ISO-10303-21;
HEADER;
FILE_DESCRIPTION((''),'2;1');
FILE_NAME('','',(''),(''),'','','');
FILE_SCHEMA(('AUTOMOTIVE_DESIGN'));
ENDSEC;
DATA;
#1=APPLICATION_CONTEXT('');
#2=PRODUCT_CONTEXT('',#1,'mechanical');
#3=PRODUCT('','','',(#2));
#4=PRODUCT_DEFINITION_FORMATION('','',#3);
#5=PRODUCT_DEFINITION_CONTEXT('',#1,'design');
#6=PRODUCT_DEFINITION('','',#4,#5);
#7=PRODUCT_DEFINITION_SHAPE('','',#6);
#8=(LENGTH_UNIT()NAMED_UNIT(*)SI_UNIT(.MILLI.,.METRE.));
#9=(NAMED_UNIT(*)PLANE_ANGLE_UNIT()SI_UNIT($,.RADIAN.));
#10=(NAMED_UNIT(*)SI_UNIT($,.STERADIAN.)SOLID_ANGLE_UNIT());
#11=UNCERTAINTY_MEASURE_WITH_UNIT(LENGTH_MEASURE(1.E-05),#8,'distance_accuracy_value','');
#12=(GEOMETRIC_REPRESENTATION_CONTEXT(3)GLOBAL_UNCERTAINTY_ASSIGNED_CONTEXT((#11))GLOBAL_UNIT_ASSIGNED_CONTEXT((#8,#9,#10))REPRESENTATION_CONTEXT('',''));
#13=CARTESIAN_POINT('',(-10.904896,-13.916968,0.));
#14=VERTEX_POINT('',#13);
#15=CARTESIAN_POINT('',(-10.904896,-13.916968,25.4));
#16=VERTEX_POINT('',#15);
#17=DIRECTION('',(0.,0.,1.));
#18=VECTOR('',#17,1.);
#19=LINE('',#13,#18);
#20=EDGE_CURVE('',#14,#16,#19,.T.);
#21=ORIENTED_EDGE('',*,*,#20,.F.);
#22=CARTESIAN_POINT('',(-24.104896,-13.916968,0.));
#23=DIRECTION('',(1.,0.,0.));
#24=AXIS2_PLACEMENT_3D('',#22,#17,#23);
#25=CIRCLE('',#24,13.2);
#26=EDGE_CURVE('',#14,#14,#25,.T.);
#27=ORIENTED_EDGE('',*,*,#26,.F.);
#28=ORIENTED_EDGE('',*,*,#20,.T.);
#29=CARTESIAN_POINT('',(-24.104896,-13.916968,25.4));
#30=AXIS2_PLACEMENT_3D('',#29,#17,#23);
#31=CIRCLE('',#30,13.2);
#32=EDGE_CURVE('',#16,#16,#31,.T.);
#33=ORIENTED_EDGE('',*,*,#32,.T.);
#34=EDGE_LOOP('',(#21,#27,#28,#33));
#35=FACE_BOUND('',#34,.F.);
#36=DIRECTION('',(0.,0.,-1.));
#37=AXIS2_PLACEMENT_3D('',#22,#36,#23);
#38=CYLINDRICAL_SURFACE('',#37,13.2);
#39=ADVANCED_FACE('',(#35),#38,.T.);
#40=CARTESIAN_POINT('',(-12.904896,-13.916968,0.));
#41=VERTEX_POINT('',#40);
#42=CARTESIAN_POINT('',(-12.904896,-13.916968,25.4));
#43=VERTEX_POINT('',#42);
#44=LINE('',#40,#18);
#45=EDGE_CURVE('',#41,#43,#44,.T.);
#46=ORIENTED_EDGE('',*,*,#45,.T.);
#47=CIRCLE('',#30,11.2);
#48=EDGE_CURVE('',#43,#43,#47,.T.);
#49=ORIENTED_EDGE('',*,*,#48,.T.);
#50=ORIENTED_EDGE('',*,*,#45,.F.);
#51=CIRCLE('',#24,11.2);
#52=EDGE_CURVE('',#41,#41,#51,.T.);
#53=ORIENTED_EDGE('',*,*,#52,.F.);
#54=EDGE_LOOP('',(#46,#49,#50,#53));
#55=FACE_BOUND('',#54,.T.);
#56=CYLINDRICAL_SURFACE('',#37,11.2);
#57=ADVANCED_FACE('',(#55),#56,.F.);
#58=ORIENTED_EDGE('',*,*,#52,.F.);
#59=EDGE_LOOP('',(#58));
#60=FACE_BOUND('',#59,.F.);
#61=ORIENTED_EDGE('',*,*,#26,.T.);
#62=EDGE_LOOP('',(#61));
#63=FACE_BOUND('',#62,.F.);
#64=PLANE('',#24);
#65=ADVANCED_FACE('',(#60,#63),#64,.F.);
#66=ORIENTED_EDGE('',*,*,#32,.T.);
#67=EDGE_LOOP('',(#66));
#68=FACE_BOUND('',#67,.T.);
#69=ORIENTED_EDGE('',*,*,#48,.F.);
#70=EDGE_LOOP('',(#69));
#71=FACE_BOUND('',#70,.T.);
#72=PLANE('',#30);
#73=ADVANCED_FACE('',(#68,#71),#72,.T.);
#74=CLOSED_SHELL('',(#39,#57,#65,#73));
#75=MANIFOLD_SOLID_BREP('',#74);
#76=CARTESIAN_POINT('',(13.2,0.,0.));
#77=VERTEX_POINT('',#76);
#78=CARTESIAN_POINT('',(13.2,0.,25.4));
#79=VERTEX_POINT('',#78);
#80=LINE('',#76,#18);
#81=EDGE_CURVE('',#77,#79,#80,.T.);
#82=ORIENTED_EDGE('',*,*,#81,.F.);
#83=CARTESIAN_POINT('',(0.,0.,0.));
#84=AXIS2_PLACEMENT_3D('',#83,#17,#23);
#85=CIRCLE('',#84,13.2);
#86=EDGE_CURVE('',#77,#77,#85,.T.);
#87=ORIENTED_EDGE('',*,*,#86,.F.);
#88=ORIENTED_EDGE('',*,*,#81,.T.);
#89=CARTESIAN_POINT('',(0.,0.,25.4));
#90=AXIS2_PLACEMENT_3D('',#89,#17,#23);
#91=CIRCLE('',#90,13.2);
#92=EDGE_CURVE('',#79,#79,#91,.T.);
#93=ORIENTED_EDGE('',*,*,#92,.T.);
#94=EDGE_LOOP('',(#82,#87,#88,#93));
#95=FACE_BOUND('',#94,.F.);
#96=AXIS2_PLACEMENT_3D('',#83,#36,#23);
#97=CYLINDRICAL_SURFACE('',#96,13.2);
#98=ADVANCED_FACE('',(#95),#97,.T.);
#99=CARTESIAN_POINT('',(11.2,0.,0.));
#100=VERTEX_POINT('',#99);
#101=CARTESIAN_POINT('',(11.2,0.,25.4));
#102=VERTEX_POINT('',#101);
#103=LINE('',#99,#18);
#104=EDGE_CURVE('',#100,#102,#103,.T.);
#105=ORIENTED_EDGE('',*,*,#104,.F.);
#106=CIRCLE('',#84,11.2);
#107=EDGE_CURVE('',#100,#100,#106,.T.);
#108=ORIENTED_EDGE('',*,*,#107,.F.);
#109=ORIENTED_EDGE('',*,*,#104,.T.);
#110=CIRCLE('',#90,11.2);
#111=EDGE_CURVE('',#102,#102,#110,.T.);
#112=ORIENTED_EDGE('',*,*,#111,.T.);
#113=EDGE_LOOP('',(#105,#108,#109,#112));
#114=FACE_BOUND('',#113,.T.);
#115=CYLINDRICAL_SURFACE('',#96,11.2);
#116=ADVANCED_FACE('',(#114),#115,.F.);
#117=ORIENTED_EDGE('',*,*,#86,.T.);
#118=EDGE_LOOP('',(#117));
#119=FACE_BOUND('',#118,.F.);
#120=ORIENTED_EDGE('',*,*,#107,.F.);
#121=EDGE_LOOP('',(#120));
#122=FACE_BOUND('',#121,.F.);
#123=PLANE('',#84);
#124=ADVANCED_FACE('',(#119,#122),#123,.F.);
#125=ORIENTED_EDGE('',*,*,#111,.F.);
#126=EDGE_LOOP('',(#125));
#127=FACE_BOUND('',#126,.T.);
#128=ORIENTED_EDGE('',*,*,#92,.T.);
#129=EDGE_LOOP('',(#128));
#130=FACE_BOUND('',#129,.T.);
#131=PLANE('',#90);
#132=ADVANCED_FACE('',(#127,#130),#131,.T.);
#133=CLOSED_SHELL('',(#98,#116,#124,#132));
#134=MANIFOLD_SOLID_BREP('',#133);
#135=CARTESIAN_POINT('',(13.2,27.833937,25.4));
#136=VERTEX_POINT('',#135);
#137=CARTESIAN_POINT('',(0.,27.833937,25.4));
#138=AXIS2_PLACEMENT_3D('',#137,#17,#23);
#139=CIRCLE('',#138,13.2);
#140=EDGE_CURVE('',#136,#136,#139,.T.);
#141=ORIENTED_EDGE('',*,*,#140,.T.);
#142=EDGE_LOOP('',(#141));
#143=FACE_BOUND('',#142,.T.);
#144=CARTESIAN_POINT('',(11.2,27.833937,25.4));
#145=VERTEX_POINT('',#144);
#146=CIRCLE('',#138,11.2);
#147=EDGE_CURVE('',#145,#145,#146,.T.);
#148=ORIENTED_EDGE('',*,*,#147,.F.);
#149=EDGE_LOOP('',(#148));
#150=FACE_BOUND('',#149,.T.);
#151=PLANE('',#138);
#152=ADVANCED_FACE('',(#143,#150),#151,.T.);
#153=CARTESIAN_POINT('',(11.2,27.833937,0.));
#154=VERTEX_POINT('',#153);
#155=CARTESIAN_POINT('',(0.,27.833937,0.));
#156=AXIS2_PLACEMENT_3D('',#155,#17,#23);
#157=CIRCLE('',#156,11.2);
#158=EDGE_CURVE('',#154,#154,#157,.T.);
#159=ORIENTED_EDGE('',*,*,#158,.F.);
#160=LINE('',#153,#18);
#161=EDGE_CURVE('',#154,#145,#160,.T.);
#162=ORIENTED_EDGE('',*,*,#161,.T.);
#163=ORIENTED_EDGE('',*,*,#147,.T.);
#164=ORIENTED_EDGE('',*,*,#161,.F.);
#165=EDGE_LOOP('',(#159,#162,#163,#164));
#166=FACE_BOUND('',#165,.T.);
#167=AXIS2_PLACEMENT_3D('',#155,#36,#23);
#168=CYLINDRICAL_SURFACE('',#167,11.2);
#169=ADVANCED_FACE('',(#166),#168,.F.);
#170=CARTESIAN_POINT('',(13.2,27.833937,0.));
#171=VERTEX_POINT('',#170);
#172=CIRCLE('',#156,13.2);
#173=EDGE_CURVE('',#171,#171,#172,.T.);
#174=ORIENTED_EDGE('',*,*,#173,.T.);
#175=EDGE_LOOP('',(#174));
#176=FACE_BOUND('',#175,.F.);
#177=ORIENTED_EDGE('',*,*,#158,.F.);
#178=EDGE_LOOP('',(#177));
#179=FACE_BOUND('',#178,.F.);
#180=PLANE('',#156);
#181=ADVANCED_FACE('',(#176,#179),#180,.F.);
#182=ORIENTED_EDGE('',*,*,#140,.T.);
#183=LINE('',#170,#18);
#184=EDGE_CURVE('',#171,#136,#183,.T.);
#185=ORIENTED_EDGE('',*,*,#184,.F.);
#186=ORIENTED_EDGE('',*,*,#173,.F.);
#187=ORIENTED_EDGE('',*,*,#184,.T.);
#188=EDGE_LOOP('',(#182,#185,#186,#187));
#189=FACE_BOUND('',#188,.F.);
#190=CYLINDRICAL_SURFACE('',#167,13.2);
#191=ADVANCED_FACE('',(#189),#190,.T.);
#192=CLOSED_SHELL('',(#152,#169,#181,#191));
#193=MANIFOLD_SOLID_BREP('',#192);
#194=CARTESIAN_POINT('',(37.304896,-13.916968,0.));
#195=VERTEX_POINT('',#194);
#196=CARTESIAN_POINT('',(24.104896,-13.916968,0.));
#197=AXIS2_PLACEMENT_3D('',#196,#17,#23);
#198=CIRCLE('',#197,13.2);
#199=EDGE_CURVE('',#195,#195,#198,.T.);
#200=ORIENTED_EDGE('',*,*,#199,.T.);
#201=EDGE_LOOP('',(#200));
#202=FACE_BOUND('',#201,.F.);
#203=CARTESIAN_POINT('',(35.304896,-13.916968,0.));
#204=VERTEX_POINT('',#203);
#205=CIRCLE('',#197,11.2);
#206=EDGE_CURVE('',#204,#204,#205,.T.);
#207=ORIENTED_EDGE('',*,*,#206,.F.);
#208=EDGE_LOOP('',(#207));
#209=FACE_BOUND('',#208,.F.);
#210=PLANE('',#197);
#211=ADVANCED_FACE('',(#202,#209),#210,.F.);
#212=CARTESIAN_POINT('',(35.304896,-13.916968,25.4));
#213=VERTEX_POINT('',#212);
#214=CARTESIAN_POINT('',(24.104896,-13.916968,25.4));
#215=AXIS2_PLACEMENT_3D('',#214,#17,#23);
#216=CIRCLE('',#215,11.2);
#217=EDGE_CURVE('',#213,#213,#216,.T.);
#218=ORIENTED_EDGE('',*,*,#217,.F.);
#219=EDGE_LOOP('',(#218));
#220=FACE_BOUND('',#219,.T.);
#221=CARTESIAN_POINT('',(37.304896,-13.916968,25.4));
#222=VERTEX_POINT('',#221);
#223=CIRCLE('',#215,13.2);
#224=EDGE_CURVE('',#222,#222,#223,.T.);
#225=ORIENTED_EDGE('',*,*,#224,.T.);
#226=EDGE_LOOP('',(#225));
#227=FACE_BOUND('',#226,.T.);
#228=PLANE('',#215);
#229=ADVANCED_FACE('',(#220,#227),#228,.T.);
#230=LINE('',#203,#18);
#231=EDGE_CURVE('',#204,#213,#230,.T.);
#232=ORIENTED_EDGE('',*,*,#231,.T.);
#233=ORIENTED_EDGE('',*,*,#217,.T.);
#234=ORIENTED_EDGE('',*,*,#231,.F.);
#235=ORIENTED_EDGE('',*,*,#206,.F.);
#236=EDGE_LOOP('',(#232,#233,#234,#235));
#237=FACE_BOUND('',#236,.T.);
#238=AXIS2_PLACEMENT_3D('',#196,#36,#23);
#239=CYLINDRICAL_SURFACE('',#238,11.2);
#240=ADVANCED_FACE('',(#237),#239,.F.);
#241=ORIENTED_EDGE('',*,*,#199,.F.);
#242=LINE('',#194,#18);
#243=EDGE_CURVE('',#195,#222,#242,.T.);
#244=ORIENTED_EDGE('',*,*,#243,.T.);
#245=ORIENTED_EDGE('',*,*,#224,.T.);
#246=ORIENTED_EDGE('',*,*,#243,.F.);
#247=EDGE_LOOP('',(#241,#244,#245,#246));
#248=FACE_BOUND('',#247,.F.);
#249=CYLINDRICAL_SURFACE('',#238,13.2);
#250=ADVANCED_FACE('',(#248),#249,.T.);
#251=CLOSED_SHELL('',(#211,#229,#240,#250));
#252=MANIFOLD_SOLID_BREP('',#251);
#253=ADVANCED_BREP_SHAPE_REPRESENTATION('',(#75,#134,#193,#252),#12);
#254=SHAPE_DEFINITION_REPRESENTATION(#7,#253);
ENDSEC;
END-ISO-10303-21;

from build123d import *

# Parameters (mm, degrees)
F0_R     = 13.2
F0_R_2   = 11.2
F1_DEPTH = 25.4


with BuildPart() as f1:
    # F0 (on Top) → F1 (new body)
    with BuildSketch(Plane.XY):
        Circle(F0_R)
        Circle(F0_R_2, mode=Mode.SUBTRACT)
        with Locations((0, 27.833937)):
            Circle(F0_R)
        with Locations((0, 27.833937)):
            Circle(F0_R_2, mode=Mode.SUBTRACT)
        with Locations((-24.104896, -13.916968)):
            Circle(F0_R)
        with Locations((-24.104896, -13.916968)):
            Circle(F0_R_2, mode=Mode.SUBTRACT)
        with Locations((24.104896, -13.916968)):
            Circle(F0_R)
        with Locations((24.104896, -13.916968)):
            Circle(F0_R_2, mode=Mode.SUBTRACT)
    extrude(amount=F1_DEPTH)


solid = f1.part
